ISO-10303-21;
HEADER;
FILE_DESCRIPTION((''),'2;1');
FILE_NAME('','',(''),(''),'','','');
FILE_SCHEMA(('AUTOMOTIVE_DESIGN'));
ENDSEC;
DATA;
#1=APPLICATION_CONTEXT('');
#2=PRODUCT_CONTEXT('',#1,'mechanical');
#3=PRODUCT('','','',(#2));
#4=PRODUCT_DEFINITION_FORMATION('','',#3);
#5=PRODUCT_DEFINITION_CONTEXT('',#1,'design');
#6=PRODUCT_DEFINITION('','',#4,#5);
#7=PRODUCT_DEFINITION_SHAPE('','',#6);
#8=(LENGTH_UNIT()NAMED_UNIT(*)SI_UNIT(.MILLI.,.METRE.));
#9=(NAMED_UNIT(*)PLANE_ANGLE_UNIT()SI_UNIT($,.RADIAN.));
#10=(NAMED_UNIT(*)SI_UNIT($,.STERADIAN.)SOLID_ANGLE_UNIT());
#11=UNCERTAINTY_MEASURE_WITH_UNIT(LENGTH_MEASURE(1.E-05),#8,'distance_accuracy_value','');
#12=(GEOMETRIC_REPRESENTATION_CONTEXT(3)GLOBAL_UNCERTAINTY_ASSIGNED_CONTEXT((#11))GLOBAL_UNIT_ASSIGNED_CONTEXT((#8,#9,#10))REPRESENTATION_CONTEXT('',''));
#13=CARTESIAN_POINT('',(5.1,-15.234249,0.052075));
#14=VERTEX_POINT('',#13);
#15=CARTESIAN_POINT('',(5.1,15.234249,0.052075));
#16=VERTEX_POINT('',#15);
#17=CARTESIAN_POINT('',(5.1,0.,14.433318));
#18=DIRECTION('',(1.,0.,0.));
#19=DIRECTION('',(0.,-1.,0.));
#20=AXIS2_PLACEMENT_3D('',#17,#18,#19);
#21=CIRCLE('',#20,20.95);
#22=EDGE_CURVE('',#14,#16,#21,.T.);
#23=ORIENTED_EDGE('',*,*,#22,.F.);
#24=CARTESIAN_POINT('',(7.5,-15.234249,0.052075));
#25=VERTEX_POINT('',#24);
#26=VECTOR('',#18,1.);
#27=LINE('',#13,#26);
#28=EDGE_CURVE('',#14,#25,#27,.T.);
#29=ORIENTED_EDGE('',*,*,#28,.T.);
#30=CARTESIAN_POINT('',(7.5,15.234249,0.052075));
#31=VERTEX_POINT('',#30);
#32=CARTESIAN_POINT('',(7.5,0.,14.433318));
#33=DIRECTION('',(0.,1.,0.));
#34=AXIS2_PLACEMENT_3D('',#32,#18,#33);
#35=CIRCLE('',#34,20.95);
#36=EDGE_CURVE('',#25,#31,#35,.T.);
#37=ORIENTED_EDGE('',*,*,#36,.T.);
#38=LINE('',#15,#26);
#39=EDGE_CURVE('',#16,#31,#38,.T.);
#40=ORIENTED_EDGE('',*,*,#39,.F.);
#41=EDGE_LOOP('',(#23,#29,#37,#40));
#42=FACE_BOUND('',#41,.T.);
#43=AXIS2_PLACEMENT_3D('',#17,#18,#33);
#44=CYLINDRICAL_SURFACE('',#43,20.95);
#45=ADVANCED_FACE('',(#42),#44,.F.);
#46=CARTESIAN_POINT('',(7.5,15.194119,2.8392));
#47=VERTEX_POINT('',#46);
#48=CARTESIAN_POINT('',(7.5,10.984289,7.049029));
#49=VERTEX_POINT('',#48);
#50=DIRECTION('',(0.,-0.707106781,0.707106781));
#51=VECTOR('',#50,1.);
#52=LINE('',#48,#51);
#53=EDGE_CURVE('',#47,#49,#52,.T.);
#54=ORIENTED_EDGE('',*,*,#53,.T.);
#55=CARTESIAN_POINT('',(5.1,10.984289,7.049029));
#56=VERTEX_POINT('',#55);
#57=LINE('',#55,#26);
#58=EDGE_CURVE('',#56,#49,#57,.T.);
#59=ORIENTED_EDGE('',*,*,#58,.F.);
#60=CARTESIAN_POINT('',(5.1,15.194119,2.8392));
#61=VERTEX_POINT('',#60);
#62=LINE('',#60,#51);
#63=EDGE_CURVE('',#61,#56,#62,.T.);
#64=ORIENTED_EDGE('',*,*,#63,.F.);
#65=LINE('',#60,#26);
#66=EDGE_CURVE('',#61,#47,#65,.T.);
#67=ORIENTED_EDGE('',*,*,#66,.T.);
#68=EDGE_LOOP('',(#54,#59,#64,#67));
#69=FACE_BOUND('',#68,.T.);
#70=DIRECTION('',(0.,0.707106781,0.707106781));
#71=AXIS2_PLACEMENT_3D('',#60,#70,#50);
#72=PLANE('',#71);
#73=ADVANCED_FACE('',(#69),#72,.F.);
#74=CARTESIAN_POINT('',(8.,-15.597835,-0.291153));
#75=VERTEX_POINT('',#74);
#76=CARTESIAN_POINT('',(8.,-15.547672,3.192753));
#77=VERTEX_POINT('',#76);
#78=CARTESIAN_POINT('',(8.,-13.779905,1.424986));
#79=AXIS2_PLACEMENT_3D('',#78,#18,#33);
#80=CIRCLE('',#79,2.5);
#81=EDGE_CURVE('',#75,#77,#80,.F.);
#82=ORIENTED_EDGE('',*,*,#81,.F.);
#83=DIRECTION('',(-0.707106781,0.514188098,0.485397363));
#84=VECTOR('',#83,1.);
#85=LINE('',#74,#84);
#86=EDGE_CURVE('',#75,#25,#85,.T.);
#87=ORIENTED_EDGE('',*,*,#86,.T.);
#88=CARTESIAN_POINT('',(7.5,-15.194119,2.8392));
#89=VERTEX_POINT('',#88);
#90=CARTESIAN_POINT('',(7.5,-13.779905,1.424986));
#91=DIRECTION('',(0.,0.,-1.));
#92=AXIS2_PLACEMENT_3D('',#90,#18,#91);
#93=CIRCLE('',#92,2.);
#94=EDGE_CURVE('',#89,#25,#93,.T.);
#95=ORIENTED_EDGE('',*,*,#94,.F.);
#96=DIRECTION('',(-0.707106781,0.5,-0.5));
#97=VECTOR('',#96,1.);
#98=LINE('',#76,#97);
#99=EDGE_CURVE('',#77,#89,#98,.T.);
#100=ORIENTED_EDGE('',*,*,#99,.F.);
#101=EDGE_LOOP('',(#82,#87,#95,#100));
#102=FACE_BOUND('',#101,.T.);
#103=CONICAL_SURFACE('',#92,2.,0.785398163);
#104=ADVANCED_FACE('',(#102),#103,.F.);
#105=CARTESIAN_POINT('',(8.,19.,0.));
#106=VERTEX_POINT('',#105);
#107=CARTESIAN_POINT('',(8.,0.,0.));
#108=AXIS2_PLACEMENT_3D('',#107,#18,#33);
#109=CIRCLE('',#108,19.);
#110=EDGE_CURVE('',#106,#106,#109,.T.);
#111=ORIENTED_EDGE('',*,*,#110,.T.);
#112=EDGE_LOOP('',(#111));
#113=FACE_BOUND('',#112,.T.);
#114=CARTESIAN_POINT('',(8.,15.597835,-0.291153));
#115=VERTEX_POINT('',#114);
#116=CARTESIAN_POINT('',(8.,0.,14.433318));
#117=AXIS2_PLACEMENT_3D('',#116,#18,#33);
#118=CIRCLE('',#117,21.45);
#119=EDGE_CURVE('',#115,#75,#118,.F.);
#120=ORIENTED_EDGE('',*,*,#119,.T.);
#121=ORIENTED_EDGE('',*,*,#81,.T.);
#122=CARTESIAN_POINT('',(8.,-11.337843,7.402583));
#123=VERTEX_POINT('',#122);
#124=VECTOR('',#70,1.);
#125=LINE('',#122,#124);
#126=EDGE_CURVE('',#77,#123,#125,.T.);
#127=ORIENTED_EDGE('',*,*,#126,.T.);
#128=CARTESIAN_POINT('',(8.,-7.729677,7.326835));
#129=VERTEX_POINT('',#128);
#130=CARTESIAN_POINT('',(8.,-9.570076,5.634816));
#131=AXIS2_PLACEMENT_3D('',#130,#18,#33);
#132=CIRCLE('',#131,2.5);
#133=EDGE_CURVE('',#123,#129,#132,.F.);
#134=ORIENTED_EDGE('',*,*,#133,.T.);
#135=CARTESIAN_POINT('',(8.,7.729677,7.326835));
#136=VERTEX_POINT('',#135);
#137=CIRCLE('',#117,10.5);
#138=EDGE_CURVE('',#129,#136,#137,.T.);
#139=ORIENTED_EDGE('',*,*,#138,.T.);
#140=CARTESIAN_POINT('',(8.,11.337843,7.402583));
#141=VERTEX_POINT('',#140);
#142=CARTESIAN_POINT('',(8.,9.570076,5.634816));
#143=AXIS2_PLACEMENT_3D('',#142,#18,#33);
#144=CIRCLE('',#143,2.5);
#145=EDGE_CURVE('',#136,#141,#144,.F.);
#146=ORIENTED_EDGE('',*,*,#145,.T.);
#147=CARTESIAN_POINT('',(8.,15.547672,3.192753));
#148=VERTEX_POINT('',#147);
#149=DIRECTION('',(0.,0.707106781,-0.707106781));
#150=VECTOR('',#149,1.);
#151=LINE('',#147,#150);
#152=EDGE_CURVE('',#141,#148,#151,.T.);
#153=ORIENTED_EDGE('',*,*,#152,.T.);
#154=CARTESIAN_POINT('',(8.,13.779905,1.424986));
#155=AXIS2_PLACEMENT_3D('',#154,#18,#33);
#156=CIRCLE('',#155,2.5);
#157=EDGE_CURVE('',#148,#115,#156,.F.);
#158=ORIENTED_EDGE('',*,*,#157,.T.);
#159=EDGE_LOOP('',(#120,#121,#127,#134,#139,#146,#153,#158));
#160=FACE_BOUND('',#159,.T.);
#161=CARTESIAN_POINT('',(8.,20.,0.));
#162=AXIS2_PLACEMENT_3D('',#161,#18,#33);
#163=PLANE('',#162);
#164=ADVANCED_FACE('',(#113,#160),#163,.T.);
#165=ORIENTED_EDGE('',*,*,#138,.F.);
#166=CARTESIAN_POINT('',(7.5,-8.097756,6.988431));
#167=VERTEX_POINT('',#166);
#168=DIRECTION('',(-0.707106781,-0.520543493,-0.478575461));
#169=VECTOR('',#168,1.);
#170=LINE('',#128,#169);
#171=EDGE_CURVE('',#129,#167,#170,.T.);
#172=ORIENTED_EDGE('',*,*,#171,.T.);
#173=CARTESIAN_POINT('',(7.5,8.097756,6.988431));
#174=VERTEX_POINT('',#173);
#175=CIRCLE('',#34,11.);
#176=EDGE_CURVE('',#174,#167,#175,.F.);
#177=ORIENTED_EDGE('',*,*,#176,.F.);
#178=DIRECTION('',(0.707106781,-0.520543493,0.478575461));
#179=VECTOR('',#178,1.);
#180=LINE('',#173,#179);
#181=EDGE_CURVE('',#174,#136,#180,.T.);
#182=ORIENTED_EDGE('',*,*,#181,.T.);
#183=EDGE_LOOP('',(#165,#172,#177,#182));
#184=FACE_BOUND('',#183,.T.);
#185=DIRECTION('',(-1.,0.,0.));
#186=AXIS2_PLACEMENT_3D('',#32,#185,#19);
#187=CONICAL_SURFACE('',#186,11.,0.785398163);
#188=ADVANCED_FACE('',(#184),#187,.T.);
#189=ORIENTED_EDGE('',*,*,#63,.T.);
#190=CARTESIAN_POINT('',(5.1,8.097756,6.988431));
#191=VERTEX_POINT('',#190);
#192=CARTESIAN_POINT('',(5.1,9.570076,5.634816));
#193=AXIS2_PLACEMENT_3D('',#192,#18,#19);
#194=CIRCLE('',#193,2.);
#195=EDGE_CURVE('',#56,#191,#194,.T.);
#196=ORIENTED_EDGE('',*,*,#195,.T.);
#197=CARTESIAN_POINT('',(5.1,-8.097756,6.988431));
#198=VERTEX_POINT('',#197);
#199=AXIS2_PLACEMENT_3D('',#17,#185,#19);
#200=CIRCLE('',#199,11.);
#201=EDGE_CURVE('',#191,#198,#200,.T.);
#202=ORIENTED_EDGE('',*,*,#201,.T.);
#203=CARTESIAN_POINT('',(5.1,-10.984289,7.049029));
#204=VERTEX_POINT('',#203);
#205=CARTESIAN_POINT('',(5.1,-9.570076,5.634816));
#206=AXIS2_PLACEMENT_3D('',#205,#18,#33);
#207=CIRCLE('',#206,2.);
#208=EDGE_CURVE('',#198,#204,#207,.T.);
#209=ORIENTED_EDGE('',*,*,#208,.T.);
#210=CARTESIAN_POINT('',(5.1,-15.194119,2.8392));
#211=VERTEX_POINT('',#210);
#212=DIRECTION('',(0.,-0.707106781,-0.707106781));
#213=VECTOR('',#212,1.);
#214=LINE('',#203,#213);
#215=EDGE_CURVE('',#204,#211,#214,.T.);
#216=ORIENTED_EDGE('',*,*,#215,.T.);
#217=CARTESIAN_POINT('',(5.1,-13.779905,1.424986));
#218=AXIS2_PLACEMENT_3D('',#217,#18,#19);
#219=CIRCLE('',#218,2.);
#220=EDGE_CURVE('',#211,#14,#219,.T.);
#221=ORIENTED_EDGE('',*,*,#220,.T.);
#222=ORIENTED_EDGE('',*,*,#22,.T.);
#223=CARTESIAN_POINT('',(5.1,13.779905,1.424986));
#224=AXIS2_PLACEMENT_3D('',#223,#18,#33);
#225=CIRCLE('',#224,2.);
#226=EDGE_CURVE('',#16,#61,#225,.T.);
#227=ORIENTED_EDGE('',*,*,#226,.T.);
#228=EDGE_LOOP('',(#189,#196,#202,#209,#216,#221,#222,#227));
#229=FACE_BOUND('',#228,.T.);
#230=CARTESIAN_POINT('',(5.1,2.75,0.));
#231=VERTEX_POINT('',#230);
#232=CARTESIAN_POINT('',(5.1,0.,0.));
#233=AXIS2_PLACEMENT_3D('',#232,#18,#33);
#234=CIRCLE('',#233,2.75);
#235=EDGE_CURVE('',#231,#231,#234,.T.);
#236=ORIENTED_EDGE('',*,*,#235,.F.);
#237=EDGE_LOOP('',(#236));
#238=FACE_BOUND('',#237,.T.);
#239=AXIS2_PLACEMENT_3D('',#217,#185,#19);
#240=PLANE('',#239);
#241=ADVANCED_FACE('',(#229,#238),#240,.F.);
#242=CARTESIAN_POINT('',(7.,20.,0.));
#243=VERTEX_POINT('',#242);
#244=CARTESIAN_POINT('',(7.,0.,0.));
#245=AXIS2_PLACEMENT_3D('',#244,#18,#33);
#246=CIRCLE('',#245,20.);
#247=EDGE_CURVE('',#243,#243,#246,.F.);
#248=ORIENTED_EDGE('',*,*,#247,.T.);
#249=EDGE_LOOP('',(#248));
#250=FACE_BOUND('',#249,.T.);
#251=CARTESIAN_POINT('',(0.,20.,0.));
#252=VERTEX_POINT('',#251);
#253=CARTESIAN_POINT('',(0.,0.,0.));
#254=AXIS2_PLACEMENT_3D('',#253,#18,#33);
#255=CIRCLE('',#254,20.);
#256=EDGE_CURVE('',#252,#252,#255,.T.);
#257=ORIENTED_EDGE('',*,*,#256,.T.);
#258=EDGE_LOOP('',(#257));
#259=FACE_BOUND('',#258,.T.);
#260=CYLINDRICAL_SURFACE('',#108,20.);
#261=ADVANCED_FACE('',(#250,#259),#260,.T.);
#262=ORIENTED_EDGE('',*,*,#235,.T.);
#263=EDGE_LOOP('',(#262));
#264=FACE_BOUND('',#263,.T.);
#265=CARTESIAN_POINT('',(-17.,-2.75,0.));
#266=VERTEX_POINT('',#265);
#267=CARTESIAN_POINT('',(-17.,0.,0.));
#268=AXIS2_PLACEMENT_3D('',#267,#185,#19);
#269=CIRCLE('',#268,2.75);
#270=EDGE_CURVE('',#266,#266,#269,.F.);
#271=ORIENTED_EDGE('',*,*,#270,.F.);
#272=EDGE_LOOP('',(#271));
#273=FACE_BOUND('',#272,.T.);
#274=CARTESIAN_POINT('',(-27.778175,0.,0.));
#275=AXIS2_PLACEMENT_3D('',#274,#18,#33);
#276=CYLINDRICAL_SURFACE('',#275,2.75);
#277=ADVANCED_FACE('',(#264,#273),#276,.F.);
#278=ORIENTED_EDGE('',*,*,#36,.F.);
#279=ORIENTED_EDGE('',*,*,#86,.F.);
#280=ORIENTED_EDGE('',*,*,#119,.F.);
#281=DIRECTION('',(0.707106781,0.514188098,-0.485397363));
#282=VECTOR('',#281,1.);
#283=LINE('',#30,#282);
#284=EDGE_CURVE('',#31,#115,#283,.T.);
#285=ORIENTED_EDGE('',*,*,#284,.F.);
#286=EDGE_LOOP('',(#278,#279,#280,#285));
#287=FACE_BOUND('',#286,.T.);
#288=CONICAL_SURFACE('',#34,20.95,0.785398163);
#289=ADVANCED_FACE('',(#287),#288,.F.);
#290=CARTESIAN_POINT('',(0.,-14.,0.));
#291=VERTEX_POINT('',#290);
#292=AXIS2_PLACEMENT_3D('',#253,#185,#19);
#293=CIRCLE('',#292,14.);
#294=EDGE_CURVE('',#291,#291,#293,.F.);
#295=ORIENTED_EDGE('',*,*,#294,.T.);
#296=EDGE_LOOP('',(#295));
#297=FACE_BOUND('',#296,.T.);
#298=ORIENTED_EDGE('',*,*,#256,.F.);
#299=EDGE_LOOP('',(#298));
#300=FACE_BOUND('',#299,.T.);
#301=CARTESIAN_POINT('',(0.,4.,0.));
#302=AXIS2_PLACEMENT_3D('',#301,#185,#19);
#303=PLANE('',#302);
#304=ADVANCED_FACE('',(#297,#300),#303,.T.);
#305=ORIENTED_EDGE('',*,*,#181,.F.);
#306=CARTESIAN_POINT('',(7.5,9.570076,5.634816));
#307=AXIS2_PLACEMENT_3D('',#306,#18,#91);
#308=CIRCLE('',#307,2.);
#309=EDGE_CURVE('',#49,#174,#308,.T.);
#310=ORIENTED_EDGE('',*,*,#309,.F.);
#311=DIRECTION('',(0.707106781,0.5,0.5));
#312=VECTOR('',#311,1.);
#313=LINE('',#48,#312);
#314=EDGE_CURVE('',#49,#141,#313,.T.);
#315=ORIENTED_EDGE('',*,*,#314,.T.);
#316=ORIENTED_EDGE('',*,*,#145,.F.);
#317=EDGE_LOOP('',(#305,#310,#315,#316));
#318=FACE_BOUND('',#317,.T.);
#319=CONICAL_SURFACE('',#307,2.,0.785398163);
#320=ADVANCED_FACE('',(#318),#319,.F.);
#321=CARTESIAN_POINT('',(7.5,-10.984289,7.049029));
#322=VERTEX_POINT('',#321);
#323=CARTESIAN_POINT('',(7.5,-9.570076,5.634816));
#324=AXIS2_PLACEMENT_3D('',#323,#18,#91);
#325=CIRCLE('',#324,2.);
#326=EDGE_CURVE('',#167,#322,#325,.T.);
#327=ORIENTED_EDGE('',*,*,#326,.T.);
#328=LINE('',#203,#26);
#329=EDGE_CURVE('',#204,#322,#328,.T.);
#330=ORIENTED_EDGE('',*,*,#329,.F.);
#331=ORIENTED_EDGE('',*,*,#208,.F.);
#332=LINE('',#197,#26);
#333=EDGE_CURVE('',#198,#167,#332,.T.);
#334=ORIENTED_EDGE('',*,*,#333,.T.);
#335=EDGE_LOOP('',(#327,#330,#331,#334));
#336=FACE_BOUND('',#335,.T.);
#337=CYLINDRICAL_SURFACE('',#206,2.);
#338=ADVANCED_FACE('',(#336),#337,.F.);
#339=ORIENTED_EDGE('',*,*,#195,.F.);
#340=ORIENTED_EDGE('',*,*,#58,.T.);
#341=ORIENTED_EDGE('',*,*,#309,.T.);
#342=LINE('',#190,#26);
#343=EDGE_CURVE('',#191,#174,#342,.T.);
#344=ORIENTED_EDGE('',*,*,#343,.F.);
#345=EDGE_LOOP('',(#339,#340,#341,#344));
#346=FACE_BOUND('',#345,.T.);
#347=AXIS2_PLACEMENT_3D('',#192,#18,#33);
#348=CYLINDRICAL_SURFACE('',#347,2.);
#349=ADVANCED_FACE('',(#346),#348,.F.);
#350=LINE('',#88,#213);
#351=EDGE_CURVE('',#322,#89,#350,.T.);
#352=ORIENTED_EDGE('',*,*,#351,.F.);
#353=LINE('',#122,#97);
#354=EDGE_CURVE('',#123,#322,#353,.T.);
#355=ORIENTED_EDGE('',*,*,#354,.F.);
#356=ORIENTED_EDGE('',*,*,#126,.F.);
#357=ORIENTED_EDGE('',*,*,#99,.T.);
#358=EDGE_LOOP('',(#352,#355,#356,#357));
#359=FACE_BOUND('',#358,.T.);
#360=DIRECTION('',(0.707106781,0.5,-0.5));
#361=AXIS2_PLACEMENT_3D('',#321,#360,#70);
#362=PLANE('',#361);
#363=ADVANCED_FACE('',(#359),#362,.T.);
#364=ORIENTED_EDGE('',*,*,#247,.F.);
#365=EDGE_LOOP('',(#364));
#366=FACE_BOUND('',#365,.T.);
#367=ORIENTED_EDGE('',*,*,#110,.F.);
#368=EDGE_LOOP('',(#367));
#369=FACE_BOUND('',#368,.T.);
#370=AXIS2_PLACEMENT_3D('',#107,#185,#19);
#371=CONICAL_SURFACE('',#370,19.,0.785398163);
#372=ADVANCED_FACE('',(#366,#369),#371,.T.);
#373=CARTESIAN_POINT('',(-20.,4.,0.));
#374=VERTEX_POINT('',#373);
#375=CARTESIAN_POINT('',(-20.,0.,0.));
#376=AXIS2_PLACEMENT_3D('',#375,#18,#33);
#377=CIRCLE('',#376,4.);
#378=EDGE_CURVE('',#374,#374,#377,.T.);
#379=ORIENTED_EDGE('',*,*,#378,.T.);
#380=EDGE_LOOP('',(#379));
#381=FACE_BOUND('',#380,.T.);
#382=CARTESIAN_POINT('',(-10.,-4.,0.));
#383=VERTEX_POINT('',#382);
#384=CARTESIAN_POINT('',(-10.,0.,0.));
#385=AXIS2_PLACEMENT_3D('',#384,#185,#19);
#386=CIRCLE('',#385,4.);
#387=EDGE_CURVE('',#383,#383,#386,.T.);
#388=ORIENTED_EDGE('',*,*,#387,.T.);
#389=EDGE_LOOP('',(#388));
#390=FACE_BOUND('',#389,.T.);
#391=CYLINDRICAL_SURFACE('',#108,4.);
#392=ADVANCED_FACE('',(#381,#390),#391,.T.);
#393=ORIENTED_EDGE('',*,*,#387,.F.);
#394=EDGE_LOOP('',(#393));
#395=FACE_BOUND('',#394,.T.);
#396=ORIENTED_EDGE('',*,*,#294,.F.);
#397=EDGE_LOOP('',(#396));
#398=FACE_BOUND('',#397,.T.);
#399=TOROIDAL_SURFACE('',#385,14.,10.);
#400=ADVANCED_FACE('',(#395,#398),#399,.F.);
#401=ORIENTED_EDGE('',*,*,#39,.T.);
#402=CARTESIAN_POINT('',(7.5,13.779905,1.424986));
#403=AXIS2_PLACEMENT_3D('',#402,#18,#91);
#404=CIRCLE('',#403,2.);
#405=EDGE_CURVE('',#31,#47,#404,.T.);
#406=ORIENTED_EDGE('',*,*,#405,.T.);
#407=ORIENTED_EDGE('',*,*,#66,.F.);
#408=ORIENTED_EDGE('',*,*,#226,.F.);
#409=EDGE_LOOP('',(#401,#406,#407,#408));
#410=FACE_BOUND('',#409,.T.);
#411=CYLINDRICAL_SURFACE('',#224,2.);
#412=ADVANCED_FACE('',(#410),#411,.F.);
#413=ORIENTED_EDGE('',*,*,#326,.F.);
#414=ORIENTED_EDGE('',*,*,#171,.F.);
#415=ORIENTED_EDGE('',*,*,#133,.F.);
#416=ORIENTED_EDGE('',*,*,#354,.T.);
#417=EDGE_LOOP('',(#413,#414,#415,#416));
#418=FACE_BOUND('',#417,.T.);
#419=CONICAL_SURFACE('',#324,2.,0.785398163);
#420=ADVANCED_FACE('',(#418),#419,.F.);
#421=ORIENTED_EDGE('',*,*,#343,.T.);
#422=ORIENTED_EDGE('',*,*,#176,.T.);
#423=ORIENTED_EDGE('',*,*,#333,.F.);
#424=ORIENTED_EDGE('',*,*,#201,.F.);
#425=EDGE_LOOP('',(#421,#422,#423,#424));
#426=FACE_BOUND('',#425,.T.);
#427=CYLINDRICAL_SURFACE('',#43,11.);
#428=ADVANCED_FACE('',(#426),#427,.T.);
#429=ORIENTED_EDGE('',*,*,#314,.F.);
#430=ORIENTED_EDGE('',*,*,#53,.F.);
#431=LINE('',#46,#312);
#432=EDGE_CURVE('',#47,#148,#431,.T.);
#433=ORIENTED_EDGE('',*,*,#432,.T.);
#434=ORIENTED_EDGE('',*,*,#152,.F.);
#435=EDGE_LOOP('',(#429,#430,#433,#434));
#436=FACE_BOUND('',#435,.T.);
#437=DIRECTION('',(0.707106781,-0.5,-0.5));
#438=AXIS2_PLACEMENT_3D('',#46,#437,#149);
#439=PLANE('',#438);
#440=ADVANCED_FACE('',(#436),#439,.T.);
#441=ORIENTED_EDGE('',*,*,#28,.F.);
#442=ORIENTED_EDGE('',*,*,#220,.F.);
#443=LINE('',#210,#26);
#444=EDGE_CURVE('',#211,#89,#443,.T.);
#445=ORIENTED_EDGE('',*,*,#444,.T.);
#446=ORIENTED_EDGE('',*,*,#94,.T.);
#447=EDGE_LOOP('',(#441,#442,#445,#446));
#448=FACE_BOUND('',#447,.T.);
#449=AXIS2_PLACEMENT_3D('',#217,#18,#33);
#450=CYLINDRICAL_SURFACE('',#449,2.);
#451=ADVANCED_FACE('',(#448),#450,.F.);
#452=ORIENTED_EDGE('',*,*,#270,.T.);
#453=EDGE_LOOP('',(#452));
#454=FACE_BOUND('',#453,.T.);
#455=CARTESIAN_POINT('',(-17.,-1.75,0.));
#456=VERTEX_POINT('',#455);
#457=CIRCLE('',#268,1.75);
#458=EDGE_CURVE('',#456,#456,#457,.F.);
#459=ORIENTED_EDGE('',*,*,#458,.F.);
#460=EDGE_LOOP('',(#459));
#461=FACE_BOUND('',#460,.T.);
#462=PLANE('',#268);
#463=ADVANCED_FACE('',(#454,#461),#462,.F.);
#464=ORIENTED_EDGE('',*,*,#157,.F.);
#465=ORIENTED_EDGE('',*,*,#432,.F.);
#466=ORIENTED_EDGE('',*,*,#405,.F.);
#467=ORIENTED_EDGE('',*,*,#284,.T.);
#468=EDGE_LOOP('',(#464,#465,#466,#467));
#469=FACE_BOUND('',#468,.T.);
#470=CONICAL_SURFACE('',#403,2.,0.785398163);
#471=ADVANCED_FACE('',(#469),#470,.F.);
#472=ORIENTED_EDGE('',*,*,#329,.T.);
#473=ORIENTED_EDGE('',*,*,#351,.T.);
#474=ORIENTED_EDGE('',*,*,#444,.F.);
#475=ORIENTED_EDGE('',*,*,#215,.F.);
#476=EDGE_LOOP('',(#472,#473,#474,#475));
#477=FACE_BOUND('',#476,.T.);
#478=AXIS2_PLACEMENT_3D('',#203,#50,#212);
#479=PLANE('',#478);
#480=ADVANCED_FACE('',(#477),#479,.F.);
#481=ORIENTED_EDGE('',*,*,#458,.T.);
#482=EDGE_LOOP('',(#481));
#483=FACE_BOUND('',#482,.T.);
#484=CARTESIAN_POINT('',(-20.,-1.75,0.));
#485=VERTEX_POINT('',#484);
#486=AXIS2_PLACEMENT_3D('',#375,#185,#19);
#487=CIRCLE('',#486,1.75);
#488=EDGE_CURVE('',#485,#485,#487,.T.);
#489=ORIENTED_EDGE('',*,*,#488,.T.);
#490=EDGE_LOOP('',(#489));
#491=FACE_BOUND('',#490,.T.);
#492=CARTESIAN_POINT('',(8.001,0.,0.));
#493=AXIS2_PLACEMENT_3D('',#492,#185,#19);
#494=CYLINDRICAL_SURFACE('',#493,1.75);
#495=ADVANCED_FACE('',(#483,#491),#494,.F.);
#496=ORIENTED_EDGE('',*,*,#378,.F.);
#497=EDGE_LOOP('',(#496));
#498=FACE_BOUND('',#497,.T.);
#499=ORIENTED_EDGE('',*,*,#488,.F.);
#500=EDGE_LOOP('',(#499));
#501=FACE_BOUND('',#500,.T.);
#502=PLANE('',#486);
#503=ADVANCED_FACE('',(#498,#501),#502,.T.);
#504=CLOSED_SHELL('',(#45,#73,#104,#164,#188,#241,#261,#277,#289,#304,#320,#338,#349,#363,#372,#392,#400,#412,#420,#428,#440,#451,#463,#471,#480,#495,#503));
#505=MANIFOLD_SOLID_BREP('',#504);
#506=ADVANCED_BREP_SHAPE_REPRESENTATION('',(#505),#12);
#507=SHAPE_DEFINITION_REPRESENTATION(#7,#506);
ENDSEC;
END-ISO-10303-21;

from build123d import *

# Parameters (mm, degrees)
CORTAR_EXTRUIR1_DEPTH = 2.9
REDONDEO1_R           = 10
CORTAR_EXTRUIR2_REACH = 41.799
CROQUIS3_R            = 1.75
CROQUIS4_R            = 2.75
CORTAR_EXTRUIR3_DEPTH = 22.1
CHAFL_N1_SIZE         = 1
CHAFL_N2_SIZE         = 0.5


with BuildPart() as part:
    # Croquis1 → Revolución1 (revolve)
    with BuildSketch(Plane.XY):
        Polygon((-20, 0), (-20, 4), (0, 4), (0, 20), (8, 20), (8, 0), align=None)
    revolve(axis=Axis((8, 0, 0), (-1, 0, 0)))

    # Croquis2 → Cortar-Extruir1 (cut)
    with BuildSketch(Plane(origin=(8, 0, 0), x_dir=(0, 0, -1), z_dir=(1, 0, 0))):
        with BuildLine():
            Line((-2.839199656, 15.194118815), (-7.049029232, 10.984289239))
            ThreePointArc((-7.049029232, 10.984289239), (-7.634375098, 9.528098398), (-6.988431485, 8.097756342))
            ThreePointArc((-6.988431485, 8.097756342), (-3.433318471, 0), (-6.988431485, -8.097756342))
            ThreePointArc((-6.988431485, -8.097756342), (-7.634375098, -9.528098398), (-7.049029232, -10.984289239))
            Line((-7.049029232, -10.984289239), (-2.839199656, -15.194118815))
            ThreePointArc((-2.839199656, -15.194118815), (-1.453779812, -15.779697972), (-0.052075025, -15.234248815))
            ThreePointArc((-0.052075025, -15.234248815), (6.516681529, 0), (-0.052075025, 15.234248815))
            ThreePointArc((-0.052075025, 15.234248815), (-1.453779812, 15.779697972), (-2.839199656, 15.194118815))
        make_face()
    extrude(amount=-CORTAR_EXTRUIR1_DEPTH, mode=Mode.SUBTRACT)

    # Redondeo1
    redondeo1_edges = [part.edges().sort_by_distance(p)[0] for p in [
        (0, -4, 0),
    ]]
    fillet(redondeo1_edges, radius=REDONDEO1_R)

    # Croquis3 → Cortar-Extruir2 (cut, up to next)
    with BuildSketch(Plane.ZY.offset(20), mode=Mode.PRIVATE) as cortar_extruir2_sk1:
        with Locations(Location((0, 0, 0), (0, 0, 270))):
            Circle(CROQUIS3_R)
    cortar_extruir2_tool1 = extrude(cortar_extruir2_sk1.sketch, amount=-CORTAR_EXTRUIR2_REACH, mode=Mode.PRIVATE) & part.part
    add(cortar_extruir2_tool1.solids().sort_by_distance((-20, 0, 0))[0], mode=Mode.SUBTRACT)

    # Croquis4 → Cortar-Extruir3 (cut)
    with BuildSketch(Plane(origin=(5.1, 0, 0), x_dir=(0, 0, -1), z_dir=(1, 0, 0))):
        with Locations(Location((0, 0, 0), (0, 0, 90))):
            Circle(CROQUIS4_R)
    extrude(amount=-CORTAR_EXTRUIR3_DEPTH, mode=Mode.SUBTRACT)

    # Chaflán1
    chafl_n1_edges = [part.edges().sort_by_distance(p)[0] for p in [
        (8, -20, 0),
    ]]
    chamfer(chafl_n1_edges, length=CHAFL_N1_SIZE)

    # Chaflán2
    chafl_n2_edges = [part.edges().sort_by_distance(p)[0] for p in [
        (8, -15.779697972, 1.453779812),
        (8, 0, -6.516681529),
        (8, 15.779697972, 1.453779812),
        (8, 13.089204027, 4.944114444),
        (8, 9.528098398, 7.634375098),
        (8, 0, 3.433318471),
        (8, -9.528098398, 7.634375098),
        (8, -13.089204027, 4.944114444),
    ]]
    chamfer(chafl_n2_edges, length=CHAFL_N2_SIZE)


solid = part.part
